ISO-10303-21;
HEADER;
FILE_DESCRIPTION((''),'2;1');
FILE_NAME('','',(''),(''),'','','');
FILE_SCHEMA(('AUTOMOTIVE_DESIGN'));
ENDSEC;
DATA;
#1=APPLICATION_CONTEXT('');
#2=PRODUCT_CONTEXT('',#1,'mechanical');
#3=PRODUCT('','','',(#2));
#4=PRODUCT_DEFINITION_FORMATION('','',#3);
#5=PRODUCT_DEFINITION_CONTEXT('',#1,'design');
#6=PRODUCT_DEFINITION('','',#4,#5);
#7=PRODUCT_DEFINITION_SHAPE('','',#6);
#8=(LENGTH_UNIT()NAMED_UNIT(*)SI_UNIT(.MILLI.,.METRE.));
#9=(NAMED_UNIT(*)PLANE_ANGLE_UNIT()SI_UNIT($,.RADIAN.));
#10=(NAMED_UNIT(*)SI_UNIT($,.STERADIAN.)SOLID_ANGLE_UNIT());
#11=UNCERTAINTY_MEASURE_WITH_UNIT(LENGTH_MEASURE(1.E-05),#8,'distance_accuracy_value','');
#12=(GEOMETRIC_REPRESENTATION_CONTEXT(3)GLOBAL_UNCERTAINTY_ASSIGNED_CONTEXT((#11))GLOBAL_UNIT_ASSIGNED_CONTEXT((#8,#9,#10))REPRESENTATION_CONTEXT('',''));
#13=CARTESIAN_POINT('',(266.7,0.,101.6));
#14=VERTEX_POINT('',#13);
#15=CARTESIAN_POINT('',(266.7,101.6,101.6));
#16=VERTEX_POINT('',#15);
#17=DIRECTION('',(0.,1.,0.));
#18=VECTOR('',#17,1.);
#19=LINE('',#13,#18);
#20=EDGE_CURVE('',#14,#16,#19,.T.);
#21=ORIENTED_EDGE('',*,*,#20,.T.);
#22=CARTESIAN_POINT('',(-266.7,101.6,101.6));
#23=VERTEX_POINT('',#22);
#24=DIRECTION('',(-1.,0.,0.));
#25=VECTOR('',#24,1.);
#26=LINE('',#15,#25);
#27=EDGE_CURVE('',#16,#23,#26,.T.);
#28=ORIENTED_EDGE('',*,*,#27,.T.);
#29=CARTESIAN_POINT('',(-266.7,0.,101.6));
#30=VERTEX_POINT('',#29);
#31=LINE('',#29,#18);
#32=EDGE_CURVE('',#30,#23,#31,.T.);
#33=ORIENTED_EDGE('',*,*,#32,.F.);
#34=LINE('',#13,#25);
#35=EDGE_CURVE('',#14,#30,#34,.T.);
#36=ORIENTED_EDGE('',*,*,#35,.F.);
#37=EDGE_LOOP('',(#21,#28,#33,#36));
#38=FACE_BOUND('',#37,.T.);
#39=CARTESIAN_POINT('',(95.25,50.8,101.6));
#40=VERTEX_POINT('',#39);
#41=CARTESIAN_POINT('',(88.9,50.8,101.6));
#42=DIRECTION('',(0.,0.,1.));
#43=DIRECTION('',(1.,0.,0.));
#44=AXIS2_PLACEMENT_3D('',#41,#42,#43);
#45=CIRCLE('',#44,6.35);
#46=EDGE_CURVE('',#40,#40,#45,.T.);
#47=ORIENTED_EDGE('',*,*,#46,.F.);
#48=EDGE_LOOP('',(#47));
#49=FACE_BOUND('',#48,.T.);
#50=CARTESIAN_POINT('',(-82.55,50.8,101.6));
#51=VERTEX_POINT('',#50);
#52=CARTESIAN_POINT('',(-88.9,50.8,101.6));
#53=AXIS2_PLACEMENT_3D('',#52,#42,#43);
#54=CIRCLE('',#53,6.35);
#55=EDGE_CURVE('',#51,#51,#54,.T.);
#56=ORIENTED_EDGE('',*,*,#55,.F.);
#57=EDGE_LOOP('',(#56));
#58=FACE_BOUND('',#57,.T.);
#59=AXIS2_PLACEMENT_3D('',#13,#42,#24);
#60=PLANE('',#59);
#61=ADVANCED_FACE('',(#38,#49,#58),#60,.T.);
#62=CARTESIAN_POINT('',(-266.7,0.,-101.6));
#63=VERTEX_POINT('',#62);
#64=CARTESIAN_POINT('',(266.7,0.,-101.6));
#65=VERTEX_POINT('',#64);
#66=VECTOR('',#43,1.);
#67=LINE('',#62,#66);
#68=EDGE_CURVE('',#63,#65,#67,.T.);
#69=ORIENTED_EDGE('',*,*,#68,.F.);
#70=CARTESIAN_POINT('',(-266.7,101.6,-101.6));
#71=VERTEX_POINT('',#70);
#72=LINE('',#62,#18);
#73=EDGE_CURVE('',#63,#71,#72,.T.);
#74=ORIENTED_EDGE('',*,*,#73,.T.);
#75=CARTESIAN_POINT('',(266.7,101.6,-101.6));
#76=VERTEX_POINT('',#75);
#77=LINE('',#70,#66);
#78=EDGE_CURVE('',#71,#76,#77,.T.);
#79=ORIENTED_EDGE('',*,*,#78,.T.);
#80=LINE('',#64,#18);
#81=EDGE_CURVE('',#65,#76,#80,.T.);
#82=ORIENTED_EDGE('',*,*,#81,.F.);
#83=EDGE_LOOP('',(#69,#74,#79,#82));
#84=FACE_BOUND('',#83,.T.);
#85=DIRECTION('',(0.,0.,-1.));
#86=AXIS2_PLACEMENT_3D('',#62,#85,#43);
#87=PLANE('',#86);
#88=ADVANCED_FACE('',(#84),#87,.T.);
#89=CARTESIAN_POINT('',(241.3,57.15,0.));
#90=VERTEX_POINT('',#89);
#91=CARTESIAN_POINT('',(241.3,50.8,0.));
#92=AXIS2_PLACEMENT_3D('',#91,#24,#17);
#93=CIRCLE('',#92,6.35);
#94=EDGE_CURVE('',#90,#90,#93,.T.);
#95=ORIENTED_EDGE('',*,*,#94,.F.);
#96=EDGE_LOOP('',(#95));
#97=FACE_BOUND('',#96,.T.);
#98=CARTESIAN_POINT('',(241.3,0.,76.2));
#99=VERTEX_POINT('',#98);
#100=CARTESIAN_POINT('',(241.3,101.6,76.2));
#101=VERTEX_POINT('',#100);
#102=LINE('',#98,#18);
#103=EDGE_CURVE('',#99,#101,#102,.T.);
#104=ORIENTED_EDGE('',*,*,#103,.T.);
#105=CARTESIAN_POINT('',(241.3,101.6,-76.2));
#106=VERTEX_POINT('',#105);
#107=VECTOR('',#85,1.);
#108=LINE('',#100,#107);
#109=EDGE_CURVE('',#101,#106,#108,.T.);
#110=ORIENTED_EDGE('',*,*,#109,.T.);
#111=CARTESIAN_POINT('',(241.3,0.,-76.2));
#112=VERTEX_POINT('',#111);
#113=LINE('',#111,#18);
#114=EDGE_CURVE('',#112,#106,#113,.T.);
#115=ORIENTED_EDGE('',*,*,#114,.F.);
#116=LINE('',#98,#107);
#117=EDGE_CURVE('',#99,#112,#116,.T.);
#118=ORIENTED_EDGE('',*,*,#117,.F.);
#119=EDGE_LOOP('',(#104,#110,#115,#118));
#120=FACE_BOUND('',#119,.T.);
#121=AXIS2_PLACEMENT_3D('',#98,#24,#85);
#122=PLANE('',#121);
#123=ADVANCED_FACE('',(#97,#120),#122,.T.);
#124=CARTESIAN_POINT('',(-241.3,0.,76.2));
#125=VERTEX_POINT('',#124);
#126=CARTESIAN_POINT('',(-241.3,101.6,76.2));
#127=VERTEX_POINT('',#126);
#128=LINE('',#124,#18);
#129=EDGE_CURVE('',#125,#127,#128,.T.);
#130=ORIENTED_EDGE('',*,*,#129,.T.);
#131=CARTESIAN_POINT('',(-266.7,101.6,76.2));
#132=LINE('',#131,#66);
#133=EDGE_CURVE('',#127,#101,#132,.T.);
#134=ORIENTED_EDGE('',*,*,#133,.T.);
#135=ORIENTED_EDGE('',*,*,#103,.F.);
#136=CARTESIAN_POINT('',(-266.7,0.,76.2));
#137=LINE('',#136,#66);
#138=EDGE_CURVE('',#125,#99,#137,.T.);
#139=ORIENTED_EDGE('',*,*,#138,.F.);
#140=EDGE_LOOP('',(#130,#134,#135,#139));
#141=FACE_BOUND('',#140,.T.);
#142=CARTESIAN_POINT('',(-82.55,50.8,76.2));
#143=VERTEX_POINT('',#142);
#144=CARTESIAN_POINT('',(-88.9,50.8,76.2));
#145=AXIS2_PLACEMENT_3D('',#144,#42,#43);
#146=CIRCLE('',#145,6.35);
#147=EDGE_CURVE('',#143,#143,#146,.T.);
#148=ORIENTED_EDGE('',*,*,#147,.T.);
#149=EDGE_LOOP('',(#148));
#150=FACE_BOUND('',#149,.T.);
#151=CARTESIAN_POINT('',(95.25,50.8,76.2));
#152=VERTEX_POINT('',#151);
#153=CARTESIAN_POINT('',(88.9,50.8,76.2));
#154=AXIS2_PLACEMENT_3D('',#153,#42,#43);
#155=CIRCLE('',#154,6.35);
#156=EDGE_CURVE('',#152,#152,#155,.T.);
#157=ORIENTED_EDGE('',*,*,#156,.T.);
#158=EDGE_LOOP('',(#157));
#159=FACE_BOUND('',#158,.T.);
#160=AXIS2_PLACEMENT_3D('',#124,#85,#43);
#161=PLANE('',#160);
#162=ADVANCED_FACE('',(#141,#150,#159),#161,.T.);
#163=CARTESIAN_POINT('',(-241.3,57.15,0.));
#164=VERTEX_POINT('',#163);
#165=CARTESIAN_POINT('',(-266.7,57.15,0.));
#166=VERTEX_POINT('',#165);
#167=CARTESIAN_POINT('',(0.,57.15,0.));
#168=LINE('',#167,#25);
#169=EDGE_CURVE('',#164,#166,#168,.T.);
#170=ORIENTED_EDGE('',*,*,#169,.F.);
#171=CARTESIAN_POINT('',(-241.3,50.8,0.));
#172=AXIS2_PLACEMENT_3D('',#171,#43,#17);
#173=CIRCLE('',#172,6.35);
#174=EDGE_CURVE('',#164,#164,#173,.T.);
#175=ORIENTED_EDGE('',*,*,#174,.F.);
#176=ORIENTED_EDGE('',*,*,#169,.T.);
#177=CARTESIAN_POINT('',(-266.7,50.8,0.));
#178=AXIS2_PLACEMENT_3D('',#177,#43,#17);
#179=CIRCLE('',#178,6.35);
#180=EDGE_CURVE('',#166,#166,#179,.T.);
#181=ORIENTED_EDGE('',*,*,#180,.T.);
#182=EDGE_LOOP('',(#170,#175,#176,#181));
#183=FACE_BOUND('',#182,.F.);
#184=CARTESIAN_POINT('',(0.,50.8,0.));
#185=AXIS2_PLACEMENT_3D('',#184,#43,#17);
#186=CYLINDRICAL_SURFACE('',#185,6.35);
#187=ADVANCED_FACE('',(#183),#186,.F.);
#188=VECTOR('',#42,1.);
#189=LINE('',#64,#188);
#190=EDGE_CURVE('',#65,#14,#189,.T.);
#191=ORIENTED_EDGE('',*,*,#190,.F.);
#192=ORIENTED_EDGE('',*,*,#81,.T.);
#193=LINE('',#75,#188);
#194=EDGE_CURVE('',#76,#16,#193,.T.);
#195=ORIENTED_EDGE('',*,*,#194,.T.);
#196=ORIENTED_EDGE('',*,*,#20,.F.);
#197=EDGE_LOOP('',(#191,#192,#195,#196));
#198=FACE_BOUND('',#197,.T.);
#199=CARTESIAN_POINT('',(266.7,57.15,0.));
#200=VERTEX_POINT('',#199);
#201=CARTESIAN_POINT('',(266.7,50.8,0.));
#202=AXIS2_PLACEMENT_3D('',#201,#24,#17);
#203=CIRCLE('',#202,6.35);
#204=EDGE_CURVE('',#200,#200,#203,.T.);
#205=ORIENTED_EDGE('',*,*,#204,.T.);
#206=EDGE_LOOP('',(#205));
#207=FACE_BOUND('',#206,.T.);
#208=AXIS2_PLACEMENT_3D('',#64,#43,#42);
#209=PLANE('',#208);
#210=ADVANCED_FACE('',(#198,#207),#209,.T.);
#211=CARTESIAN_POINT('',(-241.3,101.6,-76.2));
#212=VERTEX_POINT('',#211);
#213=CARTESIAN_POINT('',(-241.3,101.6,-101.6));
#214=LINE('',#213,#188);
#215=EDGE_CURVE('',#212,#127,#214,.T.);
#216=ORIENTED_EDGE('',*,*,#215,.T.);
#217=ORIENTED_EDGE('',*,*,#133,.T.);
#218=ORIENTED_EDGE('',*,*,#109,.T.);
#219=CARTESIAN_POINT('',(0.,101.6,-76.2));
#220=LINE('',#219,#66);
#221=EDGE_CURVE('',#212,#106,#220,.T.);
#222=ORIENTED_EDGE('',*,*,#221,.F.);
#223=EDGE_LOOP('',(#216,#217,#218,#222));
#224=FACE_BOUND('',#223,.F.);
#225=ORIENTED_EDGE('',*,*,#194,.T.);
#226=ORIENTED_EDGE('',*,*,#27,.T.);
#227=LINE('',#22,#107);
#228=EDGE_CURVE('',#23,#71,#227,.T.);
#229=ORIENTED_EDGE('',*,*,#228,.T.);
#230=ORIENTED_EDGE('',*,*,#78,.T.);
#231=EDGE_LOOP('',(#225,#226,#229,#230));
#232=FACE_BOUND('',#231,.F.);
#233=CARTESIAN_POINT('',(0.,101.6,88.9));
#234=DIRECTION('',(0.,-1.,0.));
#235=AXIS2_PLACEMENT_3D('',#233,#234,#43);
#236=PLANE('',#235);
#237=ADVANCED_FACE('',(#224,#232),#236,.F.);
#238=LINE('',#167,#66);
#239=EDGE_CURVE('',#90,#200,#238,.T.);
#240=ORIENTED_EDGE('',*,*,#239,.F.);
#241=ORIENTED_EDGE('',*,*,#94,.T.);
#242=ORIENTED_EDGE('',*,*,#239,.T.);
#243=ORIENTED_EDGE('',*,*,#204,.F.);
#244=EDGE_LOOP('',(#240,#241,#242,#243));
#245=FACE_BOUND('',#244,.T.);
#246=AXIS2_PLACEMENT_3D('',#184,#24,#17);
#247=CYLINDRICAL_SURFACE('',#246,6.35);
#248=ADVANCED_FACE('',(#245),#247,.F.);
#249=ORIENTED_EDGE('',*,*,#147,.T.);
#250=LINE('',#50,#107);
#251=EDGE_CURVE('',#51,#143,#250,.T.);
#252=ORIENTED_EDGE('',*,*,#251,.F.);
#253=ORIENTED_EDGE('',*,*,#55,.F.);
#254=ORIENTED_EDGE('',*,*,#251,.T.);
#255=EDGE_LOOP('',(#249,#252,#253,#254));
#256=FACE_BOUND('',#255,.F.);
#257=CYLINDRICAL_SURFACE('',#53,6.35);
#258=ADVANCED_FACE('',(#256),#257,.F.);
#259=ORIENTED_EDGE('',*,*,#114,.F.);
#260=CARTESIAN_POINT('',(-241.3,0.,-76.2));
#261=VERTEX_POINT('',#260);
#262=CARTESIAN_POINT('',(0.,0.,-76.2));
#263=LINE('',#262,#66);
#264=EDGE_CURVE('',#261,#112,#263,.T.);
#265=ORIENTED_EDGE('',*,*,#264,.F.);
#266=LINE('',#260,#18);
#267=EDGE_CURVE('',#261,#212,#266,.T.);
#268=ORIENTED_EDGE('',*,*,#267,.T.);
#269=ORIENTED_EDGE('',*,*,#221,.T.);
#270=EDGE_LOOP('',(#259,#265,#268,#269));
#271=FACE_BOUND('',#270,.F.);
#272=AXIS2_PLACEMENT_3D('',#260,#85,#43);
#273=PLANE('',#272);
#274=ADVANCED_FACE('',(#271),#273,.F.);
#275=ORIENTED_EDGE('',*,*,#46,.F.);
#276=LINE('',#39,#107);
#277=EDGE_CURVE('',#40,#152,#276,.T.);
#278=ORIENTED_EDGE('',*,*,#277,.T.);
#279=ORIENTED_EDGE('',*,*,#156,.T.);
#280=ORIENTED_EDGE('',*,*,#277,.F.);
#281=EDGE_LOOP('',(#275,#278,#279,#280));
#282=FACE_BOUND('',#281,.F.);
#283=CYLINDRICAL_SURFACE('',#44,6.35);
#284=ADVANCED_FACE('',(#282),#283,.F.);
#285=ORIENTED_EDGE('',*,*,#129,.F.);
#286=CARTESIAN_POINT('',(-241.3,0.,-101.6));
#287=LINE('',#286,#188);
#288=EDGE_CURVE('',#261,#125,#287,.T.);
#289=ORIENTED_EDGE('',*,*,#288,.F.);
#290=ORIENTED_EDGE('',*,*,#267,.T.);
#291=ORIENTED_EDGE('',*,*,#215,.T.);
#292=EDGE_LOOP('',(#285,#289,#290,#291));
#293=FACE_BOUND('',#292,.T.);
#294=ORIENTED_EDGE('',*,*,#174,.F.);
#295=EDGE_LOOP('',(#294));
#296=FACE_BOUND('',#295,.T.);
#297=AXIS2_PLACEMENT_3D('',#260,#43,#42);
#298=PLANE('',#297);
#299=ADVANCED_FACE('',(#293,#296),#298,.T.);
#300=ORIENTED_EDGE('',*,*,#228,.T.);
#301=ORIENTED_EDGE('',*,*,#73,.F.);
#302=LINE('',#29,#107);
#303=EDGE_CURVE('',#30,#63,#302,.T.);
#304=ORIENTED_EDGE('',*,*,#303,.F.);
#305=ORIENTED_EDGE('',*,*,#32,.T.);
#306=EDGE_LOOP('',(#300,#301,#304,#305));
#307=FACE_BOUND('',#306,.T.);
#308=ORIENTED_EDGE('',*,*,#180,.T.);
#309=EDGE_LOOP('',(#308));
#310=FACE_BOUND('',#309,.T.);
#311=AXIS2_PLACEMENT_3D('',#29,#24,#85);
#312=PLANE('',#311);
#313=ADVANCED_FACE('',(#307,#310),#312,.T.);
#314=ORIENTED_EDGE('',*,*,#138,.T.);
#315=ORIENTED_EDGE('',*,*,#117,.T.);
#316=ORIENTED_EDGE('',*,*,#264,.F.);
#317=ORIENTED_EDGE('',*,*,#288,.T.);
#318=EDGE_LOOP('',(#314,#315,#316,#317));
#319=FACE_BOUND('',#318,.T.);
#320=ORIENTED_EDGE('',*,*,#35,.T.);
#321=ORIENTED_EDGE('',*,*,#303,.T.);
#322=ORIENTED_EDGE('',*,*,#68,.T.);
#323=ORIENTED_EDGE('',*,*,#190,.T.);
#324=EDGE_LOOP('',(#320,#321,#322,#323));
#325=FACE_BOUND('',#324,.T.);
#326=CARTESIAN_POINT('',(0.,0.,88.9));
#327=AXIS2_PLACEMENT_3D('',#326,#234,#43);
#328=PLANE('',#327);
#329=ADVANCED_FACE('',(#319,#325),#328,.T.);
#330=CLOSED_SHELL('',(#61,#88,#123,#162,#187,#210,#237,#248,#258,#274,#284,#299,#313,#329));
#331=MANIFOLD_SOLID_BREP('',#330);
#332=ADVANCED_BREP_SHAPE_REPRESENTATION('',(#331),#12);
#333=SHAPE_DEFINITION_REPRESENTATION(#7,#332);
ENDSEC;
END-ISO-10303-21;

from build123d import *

# Parameters (mm, degrees)
F0_W          = 482.6
F0_H          = 25.4
F1_DEPTH      = 101.6
F2_W          = 482.6
F2_H          = 152.4
F3_DEPTH      = 101.6
F4_R          = 6.35
F5_DEPTH      = 266.701
F5_DEPTH_BACK = 266.701
F6_R          = 6.35
F7_DEPTH      = 25.4


with BuildPart() as f1:
    # F0 (on Front) → F1 (new body)
    with BuildSketch(Plane.XZ):
        Polygon((266.7, 101.6), (-266.7, 101.6), (-266.7, 76.2), (-241.3, 76.2), (241.3, 76.2), (266.7, 76.2), align=None)
        Polygon((-241.3, 76.2), (-266.7, 76.2), (-266.7, -101.6), (-241.3, -101.6), (-241.3, -76.2), align=None)
        Polygon((266.7, -101.6), (266.7, 76.2), (241.3, 76.2), (241.3, -76.2), (241.3, -101.6), align=None)
        with Locations((0, -88.9)):
            Rectangle(F0_W, F0_H)
    extrude(amount=-F1_DEPTH)

    # F2 (on face) → F3 (cut)
    with BuildSketch(Plane.XZ):
        Rectangle(F2_W, F2_H)
    extrude(amount=-F3_DEPTH, mode=Mode.SUBTRACT)

    # F4 (on Right) → F5 (cut, two sides)
    with BuildSketch(Plane.YZ) as f5_sk:
        with Locations((50.8, 0)):
            Circle(F4_R)
    extrude(amount=F5_DEPTH, mode=Mode.SUBTRACT)
    extrude(f5_sk.sketch, amount=-F5_DEPTH_BACK, mode=Mode.SUBTRACT)

    # F6 (on face) → F7 (cut)
    with BuildSketch(Plane.XY.offset(101.6)):
        with Locations((-88.9, 50.8)):
            Circle(F6_R)
        with Locations((88.9, 50.8)):
            Circle(F6_R)
    extrude(amount=-F7_DEPTH, mode=Mode.SUBTRACT)


solid = f1.part
